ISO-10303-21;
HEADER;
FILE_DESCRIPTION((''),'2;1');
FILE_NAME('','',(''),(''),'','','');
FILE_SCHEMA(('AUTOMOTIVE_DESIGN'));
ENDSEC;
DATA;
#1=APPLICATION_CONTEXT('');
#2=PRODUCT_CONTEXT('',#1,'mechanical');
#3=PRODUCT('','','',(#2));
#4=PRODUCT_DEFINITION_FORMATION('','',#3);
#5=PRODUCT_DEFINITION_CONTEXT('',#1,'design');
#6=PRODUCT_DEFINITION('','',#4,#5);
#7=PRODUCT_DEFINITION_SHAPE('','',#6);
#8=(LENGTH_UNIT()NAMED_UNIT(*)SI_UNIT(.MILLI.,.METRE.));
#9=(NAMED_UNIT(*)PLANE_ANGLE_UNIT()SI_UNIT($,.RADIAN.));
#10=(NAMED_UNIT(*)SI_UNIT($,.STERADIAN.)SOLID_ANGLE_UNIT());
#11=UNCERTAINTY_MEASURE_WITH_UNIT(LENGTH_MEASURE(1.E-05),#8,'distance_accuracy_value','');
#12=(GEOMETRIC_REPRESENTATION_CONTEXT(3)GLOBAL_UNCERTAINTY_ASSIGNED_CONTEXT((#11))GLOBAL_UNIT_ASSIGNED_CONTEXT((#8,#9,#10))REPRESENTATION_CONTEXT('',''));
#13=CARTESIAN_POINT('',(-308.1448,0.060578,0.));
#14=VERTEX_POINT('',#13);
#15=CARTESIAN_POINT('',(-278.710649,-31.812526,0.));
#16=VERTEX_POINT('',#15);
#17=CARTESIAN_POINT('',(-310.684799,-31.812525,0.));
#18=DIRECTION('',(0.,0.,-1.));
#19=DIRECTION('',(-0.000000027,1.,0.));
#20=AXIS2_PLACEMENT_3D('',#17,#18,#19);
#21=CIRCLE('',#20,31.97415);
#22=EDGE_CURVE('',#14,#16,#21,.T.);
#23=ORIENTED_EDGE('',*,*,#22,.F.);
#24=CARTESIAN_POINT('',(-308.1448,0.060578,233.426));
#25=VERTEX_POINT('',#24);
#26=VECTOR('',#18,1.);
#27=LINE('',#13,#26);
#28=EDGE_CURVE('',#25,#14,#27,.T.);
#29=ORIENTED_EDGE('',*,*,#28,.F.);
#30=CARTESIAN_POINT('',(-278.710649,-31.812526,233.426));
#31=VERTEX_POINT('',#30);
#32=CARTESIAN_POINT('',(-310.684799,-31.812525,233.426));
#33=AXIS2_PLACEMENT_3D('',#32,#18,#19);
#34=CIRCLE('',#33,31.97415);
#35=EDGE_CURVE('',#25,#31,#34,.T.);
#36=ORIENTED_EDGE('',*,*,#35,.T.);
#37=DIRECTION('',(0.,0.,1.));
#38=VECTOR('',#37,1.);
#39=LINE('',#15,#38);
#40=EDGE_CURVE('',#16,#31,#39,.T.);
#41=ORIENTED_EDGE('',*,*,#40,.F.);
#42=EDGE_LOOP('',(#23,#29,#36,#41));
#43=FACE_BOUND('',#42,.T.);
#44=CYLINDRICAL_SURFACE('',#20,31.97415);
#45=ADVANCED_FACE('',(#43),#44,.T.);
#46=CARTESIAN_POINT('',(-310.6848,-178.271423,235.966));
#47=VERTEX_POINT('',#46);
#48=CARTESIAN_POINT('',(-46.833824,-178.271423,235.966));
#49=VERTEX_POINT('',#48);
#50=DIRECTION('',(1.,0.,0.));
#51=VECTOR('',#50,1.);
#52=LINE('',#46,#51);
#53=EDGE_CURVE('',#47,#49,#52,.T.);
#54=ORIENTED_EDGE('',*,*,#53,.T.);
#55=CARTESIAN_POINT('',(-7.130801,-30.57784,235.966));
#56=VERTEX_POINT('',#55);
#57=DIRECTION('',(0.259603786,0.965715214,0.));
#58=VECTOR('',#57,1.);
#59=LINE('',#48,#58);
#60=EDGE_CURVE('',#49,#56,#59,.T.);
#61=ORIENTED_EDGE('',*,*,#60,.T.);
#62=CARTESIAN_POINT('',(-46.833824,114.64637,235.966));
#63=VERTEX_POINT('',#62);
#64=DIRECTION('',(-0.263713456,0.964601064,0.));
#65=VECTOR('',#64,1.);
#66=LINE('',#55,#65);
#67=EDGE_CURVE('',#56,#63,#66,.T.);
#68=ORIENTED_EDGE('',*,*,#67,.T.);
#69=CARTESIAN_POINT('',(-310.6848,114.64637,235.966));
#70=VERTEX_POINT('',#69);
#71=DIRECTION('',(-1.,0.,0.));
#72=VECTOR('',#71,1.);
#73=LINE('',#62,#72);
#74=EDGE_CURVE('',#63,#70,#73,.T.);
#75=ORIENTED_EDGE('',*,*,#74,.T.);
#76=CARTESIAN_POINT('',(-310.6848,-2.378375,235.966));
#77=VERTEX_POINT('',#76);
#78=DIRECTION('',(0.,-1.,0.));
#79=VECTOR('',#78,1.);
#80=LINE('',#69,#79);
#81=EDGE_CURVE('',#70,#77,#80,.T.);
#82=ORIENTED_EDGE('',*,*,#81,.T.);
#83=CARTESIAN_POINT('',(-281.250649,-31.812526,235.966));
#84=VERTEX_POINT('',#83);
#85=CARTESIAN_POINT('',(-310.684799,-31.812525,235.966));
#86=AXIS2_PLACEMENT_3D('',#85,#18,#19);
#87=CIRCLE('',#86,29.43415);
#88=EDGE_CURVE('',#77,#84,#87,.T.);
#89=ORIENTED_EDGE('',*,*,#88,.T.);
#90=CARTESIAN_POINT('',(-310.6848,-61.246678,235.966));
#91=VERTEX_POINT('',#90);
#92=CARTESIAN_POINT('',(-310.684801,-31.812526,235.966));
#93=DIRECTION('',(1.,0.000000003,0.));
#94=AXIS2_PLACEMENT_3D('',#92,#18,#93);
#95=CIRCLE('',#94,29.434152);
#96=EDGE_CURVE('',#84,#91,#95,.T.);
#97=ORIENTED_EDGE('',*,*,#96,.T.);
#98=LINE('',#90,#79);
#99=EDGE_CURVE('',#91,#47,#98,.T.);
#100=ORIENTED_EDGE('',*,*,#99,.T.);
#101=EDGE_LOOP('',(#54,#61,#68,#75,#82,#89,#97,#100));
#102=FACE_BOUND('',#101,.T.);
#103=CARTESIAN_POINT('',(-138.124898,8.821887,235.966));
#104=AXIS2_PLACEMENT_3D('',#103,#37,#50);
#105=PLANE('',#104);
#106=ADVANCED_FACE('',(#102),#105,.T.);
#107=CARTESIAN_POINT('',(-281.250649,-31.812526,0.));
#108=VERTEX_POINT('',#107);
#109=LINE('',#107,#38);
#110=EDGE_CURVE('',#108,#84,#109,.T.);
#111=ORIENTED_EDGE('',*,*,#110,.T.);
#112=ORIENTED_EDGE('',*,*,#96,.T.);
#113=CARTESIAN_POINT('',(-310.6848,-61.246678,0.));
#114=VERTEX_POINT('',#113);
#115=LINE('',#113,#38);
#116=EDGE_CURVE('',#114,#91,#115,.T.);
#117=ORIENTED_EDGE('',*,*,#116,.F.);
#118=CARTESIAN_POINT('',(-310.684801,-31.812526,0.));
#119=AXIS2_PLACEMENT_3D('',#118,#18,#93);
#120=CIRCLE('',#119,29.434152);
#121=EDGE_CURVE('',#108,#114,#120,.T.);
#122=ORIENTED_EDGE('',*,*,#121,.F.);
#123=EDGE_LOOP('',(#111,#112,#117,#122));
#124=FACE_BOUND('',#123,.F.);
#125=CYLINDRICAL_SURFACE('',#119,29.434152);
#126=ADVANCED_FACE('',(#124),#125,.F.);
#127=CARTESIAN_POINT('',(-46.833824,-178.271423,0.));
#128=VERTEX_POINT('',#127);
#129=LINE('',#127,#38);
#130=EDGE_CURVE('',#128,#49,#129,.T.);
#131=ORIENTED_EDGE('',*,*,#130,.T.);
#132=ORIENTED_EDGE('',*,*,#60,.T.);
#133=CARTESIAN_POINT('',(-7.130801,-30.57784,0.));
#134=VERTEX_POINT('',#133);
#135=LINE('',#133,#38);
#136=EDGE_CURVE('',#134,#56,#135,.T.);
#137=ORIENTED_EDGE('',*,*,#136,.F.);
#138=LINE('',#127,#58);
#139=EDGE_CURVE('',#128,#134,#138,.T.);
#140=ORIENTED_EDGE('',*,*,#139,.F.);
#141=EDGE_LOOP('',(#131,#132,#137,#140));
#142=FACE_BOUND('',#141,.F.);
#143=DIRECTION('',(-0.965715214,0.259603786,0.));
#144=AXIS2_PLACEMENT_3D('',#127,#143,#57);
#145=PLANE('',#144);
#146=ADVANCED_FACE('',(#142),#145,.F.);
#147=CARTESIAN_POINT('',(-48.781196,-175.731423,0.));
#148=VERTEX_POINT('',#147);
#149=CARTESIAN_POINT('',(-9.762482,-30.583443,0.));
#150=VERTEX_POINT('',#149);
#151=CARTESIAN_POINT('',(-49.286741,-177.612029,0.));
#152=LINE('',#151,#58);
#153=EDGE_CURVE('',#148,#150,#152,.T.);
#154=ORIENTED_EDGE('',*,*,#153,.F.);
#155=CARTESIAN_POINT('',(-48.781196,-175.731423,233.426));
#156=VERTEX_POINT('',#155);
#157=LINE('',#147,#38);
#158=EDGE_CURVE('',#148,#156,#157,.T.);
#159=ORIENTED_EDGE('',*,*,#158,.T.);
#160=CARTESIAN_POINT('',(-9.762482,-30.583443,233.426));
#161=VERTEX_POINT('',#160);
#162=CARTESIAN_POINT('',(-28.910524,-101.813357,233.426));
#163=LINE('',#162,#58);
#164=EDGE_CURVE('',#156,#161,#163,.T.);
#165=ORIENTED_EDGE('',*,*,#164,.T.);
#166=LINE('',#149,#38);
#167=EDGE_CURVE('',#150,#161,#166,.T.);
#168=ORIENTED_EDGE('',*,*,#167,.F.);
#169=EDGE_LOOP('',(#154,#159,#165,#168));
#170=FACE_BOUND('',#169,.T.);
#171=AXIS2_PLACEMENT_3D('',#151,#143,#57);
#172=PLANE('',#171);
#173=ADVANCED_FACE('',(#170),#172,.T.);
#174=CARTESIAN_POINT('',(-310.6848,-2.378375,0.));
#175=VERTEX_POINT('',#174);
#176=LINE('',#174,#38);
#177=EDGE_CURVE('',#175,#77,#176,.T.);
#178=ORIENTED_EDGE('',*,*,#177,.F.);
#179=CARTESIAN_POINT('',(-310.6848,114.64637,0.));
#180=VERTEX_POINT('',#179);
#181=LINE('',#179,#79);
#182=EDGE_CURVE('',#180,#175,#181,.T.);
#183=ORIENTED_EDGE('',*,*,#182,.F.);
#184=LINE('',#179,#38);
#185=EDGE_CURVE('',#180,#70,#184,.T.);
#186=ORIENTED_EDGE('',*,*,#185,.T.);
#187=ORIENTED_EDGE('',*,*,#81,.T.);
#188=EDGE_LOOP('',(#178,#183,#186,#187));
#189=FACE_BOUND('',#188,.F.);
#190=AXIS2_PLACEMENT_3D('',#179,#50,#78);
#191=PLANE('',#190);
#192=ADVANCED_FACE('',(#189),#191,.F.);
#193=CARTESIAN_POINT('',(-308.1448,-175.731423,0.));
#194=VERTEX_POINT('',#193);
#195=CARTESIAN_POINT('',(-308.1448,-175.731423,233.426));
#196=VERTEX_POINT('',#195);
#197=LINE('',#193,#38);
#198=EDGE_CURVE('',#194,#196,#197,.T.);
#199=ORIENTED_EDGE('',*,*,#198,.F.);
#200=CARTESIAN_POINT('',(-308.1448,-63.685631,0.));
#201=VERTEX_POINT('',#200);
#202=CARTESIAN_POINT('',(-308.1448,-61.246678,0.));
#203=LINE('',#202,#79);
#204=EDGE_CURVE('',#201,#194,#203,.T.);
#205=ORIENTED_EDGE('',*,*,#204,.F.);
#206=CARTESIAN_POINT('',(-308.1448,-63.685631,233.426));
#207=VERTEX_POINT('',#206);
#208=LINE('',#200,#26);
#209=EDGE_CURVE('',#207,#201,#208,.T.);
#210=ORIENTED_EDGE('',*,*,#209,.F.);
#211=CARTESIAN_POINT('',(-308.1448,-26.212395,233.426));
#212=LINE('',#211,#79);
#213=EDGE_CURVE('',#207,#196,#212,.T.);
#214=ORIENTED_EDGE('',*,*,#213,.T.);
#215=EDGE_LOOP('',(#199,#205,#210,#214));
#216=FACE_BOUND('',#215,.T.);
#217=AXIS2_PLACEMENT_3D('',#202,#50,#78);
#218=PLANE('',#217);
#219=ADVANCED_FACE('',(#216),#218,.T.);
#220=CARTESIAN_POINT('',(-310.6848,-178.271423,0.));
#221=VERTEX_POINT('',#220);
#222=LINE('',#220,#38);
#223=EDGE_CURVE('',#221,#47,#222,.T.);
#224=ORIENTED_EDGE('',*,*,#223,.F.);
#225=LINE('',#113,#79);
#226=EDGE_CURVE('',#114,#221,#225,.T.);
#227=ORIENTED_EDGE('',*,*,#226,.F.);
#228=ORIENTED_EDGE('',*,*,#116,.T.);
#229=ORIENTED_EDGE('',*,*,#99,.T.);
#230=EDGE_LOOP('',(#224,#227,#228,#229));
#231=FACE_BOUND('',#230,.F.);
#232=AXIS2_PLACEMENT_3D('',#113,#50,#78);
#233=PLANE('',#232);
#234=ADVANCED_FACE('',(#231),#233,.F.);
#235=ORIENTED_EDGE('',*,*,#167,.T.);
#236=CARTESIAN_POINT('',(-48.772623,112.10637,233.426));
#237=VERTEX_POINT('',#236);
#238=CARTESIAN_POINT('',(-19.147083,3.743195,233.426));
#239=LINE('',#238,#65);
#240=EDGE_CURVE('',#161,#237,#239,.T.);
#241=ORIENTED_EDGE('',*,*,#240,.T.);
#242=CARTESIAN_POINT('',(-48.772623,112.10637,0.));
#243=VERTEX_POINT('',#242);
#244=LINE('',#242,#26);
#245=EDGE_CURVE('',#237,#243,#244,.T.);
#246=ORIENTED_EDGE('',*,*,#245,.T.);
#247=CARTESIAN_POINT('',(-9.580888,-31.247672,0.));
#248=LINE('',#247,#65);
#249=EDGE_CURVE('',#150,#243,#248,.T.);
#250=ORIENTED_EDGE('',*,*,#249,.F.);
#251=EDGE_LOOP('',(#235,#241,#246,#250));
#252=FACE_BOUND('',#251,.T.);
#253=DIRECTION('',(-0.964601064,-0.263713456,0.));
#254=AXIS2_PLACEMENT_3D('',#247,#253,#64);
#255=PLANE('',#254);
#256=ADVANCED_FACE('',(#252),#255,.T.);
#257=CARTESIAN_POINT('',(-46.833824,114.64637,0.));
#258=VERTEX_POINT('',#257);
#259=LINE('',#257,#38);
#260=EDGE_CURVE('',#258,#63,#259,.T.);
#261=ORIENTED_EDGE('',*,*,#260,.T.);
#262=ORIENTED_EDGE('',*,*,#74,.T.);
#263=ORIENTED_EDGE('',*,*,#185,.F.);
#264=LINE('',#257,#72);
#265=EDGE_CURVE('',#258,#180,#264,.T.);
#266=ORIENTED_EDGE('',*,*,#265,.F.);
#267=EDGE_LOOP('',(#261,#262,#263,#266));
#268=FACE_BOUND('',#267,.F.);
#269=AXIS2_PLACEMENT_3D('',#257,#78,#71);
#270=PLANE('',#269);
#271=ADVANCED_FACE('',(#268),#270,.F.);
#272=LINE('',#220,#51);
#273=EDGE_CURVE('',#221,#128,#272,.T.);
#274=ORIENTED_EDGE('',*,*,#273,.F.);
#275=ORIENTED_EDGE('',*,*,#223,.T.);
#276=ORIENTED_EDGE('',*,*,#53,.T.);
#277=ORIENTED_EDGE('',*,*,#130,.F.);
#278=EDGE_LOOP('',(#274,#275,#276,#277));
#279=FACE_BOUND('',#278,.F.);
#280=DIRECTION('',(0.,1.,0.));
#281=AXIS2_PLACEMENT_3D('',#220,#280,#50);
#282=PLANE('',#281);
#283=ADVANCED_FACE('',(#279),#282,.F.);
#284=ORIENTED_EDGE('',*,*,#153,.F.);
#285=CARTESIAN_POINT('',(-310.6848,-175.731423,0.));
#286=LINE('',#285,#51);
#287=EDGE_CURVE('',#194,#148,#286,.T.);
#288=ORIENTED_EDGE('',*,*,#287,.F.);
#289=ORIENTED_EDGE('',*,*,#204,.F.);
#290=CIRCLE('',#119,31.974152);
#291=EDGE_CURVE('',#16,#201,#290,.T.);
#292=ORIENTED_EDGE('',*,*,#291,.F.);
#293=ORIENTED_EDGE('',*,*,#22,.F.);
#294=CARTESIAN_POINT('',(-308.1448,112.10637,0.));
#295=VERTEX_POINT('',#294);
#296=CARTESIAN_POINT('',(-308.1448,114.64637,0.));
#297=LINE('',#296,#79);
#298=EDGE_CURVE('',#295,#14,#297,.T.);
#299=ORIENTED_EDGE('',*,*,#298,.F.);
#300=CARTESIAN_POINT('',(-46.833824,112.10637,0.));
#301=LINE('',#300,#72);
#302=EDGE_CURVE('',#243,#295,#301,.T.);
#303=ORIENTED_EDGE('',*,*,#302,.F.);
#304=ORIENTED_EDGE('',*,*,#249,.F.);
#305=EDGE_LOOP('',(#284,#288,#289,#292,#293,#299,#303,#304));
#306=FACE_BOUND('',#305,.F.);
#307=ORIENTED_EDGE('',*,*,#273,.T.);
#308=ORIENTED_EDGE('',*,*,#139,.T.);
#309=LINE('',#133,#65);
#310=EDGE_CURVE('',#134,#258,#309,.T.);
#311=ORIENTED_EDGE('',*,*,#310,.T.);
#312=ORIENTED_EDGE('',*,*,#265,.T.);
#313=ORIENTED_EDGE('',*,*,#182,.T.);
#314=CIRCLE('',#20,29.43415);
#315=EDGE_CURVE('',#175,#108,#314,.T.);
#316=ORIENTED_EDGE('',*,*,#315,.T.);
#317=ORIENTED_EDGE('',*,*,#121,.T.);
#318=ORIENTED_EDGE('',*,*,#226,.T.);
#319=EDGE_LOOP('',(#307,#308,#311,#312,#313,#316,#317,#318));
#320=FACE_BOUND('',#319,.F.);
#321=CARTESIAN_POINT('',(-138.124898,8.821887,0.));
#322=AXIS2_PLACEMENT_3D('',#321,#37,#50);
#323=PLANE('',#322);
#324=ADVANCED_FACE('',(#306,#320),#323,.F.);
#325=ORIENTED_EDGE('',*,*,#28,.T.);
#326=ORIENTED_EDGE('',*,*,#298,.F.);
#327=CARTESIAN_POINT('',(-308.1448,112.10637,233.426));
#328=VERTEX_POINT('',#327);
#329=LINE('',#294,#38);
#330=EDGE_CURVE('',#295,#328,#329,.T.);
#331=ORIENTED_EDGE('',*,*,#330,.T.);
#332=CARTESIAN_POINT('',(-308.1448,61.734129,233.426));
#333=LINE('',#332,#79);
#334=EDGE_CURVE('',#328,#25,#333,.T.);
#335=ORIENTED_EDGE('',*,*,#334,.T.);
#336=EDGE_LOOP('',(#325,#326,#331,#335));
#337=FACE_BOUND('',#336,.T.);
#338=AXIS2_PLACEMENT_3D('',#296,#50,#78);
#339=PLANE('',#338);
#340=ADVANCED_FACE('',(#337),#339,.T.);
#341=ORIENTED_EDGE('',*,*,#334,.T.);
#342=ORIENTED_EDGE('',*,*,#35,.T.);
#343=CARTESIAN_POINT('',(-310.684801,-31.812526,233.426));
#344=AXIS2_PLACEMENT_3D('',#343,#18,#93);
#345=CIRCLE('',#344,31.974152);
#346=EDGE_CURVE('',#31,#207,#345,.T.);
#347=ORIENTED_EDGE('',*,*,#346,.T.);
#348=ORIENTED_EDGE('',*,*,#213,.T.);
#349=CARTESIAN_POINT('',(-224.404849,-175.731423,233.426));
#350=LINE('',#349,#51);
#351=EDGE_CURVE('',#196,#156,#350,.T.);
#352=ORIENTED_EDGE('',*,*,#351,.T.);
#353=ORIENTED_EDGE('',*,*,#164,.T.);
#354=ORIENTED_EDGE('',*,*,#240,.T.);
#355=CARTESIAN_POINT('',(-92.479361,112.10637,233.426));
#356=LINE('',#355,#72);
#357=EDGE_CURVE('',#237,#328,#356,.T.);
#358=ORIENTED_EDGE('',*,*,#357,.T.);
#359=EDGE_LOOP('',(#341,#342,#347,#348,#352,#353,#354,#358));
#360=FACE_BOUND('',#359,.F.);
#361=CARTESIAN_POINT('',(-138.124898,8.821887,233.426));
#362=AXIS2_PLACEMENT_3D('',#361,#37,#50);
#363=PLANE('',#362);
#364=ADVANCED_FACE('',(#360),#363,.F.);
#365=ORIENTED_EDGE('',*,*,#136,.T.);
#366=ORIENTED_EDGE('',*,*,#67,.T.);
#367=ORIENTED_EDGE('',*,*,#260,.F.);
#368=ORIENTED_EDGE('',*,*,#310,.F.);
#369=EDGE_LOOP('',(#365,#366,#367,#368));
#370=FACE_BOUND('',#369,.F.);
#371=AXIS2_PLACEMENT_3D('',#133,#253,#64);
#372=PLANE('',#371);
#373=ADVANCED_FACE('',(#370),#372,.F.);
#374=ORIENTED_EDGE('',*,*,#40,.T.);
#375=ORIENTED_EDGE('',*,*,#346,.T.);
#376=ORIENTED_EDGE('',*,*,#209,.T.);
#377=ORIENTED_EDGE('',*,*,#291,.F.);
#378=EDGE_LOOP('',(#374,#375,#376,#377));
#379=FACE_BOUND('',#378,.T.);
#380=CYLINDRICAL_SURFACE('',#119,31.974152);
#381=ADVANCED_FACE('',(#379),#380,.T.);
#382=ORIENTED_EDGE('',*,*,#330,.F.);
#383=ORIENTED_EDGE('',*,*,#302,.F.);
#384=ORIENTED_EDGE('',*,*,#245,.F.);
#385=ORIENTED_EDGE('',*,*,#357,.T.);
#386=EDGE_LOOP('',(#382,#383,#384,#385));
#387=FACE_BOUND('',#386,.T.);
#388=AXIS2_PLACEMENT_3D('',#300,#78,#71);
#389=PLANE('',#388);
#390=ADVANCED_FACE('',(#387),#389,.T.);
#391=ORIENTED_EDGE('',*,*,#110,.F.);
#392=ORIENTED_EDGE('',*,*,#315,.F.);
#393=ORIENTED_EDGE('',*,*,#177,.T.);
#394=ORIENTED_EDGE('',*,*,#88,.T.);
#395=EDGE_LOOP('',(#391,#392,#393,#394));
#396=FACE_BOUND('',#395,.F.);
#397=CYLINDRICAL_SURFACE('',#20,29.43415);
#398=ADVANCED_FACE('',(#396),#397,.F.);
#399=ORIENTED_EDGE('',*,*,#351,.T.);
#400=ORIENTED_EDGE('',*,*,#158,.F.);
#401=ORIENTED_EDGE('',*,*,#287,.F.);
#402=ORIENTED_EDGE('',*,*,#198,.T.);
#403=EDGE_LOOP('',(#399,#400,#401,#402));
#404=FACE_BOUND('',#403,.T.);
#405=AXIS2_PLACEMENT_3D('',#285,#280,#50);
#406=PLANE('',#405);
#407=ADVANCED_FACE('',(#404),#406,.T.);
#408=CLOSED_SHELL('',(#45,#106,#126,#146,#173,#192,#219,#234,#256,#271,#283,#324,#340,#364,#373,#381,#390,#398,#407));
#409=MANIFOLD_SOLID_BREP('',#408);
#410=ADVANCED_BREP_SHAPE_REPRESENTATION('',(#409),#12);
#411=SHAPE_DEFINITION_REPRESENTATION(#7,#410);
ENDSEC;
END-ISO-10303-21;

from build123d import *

# Parameters (mm, degrees)
F1_DEPTH = 235.966
F2_T     = -2.54


with BuildPart() as f1:
    # F0 (on Top) → F1 (new body)
    with BuildSketch(Plane.XY):
        Polygon((-46.833824, 114.64637), (-310.6848, 114.64637), (-46.833824, -178.271423), align=None)
        with BuildLine():
            Line((-46.833824, -178.271423), (-310.6848, 114.64637))
            Line((-310.6848, 114.64637), (-310.6848, -2.378375))
            ThreePointArc((-310.6848, -2.378375), (-289.871712, -10.999438), (-281.250649, -31.812526))
            ThreePointArc((-281.250649, -31.812526), (-289.871712, -52.625614), (-310.6848, -61.246678))
            Line((-310.6848, -61.246678), (-310.6848, -178.271423))
            Line((-310.6848, -178.271423), (-46.833824, -178.271423))
        make_face()
        Polygon((-7.130801, -30.57784), (-46.833824, 114.64637), (-46.833824, -178.271423), align=None)
    extrude(amount=F1_DEPTH)

    # F2
    f2_openings = [f1.faces().sort_by_distance(p)[0] for p in [
        (-166.444508, -31.783249, 0),
    ]]
    offset(amount=F2_T, openings=f2_openings)


solid = f1.part
